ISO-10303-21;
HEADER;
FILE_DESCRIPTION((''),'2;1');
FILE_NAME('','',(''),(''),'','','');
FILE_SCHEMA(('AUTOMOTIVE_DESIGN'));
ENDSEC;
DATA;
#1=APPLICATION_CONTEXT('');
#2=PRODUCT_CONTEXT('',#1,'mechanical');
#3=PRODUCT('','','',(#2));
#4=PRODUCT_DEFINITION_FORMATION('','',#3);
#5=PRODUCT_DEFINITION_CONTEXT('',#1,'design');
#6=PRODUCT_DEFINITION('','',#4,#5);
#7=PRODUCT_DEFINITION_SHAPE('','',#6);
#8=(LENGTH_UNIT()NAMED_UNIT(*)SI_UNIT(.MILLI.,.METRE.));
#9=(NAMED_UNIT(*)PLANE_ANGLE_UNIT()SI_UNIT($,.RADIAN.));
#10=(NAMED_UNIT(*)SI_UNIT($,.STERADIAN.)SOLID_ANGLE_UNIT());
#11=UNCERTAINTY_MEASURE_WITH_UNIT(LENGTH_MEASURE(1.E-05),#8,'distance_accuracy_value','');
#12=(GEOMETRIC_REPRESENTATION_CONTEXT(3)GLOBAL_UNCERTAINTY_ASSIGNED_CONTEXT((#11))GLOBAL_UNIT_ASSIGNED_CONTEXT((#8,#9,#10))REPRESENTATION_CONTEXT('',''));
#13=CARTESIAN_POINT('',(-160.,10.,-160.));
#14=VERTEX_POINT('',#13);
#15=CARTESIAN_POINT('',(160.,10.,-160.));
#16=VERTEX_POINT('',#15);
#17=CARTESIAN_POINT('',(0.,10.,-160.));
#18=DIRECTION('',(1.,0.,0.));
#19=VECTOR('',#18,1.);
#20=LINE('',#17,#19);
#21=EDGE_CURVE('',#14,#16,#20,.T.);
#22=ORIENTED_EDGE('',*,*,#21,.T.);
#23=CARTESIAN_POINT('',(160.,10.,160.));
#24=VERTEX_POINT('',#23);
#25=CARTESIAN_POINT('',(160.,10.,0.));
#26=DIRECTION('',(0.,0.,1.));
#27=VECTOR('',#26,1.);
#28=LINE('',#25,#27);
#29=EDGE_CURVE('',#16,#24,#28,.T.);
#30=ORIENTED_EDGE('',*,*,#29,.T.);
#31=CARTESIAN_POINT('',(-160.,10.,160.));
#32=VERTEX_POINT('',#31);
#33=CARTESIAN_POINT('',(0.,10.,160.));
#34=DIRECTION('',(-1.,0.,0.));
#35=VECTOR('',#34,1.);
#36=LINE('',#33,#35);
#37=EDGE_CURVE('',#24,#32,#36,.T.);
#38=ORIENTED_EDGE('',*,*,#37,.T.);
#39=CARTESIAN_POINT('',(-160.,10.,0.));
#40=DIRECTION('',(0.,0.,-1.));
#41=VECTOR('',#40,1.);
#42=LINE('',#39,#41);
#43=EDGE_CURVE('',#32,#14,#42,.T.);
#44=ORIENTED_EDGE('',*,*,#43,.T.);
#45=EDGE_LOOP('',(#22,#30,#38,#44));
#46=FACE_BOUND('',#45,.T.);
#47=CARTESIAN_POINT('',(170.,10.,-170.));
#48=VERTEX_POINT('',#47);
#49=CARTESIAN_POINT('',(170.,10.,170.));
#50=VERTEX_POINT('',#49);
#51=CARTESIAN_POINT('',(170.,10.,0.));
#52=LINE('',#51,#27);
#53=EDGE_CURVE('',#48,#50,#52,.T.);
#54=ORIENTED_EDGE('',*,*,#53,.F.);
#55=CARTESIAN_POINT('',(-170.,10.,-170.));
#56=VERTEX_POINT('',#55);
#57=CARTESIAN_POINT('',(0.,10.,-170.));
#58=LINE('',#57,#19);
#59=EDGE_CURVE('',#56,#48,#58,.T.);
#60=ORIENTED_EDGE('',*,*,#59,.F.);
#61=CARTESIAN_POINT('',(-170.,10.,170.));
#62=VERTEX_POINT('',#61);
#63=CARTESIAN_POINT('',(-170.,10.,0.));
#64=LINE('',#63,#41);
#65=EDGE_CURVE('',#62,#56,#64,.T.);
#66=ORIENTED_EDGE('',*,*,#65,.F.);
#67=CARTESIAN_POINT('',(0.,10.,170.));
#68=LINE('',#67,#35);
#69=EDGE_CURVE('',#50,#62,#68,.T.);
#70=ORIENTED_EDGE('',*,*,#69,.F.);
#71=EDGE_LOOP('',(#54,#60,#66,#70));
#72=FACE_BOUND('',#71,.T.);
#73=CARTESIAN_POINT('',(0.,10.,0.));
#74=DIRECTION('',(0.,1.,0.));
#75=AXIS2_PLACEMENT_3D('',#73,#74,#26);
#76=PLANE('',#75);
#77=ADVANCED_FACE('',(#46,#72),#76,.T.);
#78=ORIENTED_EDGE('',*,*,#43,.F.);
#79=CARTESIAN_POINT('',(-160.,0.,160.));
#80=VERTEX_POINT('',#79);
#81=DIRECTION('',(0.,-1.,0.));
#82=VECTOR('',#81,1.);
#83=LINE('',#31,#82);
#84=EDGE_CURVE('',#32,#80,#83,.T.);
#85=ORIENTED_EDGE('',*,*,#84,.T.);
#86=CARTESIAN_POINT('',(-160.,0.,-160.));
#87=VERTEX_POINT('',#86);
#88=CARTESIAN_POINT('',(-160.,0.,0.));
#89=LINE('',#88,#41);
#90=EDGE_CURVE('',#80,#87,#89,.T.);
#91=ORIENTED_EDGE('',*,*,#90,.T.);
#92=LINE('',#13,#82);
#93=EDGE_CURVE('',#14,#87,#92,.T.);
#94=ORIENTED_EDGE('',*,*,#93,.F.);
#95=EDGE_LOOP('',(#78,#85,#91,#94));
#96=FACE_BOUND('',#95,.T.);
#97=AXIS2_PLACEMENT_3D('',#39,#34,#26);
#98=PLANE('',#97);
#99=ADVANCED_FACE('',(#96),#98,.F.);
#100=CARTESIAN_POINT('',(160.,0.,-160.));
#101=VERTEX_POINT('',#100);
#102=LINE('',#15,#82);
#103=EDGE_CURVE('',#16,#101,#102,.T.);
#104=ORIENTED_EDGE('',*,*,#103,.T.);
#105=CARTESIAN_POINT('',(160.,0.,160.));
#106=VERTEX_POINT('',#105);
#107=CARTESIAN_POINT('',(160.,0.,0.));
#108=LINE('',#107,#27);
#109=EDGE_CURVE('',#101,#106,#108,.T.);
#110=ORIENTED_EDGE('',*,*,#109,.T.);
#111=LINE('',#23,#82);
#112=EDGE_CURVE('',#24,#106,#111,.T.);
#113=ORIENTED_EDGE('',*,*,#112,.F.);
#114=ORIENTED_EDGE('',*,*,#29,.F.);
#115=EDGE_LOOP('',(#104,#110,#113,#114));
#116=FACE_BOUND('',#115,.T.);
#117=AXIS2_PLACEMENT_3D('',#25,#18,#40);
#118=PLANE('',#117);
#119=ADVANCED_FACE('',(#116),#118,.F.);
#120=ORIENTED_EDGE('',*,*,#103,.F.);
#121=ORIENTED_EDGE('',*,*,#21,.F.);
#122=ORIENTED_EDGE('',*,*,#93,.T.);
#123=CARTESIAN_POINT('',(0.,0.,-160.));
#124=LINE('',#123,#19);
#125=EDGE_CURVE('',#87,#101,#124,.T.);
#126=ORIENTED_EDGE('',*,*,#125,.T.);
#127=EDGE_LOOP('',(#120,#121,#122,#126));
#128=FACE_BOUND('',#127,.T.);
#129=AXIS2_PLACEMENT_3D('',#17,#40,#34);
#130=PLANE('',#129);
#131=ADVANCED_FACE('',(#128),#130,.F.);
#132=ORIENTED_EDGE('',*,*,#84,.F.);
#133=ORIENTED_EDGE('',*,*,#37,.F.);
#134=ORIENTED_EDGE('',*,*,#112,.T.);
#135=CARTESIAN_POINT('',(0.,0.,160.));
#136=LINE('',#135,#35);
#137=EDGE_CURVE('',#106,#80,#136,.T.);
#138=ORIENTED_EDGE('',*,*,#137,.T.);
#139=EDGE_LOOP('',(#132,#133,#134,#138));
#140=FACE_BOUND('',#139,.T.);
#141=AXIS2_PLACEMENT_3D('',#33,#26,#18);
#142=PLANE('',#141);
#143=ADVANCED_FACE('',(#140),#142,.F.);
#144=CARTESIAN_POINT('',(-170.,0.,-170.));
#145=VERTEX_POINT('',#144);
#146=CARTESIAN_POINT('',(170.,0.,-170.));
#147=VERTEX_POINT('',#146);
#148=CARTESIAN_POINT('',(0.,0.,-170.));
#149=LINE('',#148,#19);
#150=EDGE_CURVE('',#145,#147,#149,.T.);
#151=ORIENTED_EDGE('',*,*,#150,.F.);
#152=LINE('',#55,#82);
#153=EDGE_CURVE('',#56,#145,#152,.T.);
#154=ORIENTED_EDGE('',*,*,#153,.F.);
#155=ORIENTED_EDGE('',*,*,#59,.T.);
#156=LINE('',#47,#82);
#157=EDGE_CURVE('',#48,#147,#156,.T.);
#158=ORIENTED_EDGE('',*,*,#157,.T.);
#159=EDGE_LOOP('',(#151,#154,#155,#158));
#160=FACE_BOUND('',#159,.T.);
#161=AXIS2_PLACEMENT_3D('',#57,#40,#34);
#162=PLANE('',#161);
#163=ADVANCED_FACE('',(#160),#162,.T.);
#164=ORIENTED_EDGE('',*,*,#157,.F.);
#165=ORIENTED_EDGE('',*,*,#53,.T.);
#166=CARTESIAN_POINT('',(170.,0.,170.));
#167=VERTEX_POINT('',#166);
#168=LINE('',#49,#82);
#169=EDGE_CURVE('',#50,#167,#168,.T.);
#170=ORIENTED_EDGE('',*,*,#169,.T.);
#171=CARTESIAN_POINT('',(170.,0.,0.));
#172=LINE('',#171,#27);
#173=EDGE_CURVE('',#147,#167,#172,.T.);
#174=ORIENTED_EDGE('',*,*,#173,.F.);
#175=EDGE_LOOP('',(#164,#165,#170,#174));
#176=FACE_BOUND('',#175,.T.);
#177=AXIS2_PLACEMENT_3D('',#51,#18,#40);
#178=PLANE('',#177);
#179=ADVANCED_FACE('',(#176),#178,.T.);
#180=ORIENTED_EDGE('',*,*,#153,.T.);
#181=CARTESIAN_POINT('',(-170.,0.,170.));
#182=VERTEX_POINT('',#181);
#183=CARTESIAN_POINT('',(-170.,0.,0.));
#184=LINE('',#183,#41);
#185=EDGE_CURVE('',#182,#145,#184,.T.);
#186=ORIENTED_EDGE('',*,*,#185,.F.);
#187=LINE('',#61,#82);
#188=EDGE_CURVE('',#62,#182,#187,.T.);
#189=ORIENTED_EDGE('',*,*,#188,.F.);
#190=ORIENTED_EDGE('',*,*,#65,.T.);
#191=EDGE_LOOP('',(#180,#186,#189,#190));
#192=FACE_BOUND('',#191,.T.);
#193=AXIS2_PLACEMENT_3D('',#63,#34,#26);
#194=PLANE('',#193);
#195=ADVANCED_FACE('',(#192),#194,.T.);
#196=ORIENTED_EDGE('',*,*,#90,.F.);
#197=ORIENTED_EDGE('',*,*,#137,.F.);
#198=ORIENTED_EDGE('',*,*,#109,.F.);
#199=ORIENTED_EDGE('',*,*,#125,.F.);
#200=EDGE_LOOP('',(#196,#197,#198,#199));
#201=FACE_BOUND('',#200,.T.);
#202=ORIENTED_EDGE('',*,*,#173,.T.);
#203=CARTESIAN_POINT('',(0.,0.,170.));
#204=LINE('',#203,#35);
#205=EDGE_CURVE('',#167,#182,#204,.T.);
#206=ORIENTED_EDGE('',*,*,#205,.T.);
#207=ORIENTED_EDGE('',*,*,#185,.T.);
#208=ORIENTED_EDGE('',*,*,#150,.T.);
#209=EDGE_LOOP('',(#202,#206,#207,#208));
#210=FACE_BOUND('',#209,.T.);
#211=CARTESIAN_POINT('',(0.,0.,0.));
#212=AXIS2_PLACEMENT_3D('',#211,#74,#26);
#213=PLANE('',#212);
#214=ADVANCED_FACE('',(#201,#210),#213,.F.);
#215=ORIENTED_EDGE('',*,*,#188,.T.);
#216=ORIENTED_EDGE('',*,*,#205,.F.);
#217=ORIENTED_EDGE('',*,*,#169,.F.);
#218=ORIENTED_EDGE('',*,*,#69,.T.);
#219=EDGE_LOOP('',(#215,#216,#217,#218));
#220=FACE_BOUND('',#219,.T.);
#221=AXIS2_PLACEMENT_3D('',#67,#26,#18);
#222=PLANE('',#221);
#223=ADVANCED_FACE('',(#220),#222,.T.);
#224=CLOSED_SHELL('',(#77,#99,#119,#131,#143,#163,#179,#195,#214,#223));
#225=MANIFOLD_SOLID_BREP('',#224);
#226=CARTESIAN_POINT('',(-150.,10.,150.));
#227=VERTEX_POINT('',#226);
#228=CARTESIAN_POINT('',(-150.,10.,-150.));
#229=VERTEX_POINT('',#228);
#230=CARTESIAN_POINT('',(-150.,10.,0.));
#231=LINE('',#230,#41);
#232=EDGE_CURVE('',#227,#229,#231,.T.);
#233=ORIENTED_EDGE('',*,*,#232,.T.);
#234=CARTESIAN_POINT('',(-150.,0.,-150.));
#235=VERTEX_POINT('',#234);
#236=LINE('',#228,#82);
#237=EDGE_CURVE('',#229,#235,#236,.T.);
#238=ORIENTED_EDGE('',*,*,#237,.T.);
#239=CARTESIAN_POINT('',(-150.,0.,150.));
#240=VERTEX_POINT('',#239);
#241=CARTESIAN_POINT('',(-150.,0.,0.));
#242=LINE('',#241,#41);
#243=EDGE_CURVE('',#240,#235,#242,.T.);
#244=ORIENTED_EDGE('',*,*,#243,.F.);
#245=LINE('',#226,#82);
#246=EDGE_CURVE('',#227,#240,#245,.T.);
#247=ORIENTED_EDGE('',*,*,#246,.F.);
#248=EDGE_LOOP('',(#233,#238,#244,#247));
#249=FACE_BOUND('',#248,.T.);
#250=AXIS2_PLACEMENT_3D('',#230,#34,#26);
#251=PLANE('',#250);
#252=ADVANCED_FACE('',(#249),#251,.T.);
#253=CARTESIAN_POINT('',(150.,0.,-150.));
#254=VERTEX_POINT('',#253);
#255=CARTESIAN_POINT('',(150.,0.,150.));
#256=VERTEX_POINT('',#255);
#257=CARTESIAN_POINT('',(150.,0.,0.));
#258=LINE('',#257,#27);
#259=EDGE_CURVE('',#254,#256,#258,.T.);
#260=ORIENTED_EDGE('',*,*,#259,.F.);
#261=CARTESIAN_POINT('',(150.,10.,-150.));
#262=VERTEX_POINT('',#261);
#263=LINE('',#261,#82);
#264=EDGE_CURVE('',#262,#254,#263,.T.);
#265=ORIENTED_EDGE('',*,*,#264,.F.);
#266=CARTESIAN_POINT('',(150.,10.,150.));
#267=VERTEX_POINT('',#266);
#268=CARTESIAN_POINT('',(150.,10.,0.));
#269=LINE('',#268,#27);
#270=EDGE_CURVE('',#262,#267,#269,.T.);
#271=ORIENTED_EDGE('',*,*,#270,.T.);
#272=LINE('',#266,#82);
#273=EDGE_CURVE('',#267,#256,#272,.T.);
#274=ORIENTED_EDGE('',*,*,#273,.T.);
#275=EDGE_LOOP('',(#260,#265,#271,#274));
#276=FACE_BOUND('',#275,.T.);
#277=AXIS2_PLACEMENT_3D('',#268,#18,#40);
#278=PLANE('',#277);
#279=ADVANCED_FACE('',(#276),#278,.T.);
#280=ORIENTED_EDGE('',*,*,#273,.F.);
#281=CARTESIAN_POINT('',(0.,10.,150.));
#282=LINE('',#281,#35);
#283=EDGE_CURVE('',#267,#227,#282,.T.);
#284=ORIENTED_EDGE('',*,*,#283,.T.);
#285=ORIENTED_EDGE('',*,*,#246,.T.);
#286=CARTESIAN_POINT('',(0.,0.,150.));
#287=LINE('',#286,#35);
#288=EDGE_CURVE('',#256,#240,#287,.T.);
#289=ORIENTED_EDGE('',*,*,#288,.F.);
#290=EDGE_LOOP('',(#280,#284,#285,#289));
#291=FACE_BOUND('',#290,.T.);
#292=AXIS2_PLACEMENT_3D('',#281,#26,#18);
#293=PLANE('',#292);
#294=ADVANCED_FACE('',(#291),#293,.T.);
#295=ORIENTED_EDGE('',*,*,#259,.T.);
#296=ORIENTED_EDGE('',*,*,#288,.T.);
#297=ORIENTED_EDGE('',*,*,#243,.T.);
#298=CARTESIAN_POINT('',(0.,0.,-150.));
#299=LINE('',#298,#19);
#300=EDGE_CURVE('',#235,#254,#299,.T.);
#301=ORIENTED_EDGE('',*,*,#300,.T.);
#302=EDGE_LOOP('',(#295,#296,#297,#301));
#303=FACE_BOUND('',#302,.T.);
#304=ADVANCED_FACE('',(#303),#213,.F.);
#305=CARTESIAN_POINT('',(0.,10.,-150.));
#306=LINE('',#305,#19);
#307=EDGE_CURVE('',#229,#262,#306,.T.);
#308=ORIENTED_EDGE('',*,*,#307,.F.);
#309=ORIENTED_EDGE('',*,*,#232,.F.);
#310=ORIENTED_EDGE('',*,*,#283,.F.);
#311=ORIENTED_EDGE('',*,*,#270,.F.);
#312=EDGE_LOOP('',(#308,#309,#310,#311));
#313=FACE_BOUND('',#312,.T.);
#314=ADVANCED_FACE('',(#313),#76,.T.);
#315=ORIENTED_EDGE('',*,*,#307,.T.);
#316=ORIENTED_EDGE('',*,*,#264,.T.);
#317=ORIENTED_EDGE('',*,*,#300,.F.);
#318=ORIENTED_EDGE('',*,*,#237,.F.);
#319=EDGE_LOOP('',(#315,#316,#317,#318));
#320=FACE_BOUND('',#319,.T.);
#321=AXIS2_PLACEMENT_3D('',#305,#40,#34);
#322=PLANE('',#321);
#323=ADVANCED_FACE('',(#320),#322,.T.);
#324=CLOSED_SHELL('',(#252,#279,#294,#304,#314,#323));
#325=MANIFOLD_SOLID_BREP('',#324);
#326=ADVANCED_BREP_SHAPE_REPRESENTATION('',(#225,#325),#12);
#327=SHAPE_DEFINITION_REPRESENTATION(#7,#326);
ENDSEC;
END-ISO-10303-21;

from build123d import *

# Parameters (mm, degrees)
SKETCH1_W           = 150
SKETCH1_H           = 150
BOSS_EXTRUDE1_DEPTH = 10


with BuildPart() as part:
    # Sketch1 → Boss-Extrude1 (new body)
    with BuildSketch(Plane(origin=(0, 0, 0), x_dir=(1, 0, 0), z_dir=(0, 1, 0))):
        Polygon((170, -170), (-170, -170), (-170, 0), (-170, 170), (170, 170), align=None)
        Polygon((160, -160), (-160, -160), (-160, 0), (-160, 160), (160, 160), align=None, mode=Mode.SUBTRACT)
        with Locations((-75, -75)):
            Rectangle(SKETCH1_W, SKETCH1_H)
        with Locations((-75, 75)):
            Rectangle(SKETCH1_W, SKETCH1_H)
        with Locations((75, 75)):
            Rectangle(SKETCH1_W, SKETCH1_H)
        with Locations((75, -75)):
            Rectangle(SKETCH1_W, SKETCH1_H)
    extrude(amount=BOSS_EXTRUDE1_DEPTH)


solid = part.part
